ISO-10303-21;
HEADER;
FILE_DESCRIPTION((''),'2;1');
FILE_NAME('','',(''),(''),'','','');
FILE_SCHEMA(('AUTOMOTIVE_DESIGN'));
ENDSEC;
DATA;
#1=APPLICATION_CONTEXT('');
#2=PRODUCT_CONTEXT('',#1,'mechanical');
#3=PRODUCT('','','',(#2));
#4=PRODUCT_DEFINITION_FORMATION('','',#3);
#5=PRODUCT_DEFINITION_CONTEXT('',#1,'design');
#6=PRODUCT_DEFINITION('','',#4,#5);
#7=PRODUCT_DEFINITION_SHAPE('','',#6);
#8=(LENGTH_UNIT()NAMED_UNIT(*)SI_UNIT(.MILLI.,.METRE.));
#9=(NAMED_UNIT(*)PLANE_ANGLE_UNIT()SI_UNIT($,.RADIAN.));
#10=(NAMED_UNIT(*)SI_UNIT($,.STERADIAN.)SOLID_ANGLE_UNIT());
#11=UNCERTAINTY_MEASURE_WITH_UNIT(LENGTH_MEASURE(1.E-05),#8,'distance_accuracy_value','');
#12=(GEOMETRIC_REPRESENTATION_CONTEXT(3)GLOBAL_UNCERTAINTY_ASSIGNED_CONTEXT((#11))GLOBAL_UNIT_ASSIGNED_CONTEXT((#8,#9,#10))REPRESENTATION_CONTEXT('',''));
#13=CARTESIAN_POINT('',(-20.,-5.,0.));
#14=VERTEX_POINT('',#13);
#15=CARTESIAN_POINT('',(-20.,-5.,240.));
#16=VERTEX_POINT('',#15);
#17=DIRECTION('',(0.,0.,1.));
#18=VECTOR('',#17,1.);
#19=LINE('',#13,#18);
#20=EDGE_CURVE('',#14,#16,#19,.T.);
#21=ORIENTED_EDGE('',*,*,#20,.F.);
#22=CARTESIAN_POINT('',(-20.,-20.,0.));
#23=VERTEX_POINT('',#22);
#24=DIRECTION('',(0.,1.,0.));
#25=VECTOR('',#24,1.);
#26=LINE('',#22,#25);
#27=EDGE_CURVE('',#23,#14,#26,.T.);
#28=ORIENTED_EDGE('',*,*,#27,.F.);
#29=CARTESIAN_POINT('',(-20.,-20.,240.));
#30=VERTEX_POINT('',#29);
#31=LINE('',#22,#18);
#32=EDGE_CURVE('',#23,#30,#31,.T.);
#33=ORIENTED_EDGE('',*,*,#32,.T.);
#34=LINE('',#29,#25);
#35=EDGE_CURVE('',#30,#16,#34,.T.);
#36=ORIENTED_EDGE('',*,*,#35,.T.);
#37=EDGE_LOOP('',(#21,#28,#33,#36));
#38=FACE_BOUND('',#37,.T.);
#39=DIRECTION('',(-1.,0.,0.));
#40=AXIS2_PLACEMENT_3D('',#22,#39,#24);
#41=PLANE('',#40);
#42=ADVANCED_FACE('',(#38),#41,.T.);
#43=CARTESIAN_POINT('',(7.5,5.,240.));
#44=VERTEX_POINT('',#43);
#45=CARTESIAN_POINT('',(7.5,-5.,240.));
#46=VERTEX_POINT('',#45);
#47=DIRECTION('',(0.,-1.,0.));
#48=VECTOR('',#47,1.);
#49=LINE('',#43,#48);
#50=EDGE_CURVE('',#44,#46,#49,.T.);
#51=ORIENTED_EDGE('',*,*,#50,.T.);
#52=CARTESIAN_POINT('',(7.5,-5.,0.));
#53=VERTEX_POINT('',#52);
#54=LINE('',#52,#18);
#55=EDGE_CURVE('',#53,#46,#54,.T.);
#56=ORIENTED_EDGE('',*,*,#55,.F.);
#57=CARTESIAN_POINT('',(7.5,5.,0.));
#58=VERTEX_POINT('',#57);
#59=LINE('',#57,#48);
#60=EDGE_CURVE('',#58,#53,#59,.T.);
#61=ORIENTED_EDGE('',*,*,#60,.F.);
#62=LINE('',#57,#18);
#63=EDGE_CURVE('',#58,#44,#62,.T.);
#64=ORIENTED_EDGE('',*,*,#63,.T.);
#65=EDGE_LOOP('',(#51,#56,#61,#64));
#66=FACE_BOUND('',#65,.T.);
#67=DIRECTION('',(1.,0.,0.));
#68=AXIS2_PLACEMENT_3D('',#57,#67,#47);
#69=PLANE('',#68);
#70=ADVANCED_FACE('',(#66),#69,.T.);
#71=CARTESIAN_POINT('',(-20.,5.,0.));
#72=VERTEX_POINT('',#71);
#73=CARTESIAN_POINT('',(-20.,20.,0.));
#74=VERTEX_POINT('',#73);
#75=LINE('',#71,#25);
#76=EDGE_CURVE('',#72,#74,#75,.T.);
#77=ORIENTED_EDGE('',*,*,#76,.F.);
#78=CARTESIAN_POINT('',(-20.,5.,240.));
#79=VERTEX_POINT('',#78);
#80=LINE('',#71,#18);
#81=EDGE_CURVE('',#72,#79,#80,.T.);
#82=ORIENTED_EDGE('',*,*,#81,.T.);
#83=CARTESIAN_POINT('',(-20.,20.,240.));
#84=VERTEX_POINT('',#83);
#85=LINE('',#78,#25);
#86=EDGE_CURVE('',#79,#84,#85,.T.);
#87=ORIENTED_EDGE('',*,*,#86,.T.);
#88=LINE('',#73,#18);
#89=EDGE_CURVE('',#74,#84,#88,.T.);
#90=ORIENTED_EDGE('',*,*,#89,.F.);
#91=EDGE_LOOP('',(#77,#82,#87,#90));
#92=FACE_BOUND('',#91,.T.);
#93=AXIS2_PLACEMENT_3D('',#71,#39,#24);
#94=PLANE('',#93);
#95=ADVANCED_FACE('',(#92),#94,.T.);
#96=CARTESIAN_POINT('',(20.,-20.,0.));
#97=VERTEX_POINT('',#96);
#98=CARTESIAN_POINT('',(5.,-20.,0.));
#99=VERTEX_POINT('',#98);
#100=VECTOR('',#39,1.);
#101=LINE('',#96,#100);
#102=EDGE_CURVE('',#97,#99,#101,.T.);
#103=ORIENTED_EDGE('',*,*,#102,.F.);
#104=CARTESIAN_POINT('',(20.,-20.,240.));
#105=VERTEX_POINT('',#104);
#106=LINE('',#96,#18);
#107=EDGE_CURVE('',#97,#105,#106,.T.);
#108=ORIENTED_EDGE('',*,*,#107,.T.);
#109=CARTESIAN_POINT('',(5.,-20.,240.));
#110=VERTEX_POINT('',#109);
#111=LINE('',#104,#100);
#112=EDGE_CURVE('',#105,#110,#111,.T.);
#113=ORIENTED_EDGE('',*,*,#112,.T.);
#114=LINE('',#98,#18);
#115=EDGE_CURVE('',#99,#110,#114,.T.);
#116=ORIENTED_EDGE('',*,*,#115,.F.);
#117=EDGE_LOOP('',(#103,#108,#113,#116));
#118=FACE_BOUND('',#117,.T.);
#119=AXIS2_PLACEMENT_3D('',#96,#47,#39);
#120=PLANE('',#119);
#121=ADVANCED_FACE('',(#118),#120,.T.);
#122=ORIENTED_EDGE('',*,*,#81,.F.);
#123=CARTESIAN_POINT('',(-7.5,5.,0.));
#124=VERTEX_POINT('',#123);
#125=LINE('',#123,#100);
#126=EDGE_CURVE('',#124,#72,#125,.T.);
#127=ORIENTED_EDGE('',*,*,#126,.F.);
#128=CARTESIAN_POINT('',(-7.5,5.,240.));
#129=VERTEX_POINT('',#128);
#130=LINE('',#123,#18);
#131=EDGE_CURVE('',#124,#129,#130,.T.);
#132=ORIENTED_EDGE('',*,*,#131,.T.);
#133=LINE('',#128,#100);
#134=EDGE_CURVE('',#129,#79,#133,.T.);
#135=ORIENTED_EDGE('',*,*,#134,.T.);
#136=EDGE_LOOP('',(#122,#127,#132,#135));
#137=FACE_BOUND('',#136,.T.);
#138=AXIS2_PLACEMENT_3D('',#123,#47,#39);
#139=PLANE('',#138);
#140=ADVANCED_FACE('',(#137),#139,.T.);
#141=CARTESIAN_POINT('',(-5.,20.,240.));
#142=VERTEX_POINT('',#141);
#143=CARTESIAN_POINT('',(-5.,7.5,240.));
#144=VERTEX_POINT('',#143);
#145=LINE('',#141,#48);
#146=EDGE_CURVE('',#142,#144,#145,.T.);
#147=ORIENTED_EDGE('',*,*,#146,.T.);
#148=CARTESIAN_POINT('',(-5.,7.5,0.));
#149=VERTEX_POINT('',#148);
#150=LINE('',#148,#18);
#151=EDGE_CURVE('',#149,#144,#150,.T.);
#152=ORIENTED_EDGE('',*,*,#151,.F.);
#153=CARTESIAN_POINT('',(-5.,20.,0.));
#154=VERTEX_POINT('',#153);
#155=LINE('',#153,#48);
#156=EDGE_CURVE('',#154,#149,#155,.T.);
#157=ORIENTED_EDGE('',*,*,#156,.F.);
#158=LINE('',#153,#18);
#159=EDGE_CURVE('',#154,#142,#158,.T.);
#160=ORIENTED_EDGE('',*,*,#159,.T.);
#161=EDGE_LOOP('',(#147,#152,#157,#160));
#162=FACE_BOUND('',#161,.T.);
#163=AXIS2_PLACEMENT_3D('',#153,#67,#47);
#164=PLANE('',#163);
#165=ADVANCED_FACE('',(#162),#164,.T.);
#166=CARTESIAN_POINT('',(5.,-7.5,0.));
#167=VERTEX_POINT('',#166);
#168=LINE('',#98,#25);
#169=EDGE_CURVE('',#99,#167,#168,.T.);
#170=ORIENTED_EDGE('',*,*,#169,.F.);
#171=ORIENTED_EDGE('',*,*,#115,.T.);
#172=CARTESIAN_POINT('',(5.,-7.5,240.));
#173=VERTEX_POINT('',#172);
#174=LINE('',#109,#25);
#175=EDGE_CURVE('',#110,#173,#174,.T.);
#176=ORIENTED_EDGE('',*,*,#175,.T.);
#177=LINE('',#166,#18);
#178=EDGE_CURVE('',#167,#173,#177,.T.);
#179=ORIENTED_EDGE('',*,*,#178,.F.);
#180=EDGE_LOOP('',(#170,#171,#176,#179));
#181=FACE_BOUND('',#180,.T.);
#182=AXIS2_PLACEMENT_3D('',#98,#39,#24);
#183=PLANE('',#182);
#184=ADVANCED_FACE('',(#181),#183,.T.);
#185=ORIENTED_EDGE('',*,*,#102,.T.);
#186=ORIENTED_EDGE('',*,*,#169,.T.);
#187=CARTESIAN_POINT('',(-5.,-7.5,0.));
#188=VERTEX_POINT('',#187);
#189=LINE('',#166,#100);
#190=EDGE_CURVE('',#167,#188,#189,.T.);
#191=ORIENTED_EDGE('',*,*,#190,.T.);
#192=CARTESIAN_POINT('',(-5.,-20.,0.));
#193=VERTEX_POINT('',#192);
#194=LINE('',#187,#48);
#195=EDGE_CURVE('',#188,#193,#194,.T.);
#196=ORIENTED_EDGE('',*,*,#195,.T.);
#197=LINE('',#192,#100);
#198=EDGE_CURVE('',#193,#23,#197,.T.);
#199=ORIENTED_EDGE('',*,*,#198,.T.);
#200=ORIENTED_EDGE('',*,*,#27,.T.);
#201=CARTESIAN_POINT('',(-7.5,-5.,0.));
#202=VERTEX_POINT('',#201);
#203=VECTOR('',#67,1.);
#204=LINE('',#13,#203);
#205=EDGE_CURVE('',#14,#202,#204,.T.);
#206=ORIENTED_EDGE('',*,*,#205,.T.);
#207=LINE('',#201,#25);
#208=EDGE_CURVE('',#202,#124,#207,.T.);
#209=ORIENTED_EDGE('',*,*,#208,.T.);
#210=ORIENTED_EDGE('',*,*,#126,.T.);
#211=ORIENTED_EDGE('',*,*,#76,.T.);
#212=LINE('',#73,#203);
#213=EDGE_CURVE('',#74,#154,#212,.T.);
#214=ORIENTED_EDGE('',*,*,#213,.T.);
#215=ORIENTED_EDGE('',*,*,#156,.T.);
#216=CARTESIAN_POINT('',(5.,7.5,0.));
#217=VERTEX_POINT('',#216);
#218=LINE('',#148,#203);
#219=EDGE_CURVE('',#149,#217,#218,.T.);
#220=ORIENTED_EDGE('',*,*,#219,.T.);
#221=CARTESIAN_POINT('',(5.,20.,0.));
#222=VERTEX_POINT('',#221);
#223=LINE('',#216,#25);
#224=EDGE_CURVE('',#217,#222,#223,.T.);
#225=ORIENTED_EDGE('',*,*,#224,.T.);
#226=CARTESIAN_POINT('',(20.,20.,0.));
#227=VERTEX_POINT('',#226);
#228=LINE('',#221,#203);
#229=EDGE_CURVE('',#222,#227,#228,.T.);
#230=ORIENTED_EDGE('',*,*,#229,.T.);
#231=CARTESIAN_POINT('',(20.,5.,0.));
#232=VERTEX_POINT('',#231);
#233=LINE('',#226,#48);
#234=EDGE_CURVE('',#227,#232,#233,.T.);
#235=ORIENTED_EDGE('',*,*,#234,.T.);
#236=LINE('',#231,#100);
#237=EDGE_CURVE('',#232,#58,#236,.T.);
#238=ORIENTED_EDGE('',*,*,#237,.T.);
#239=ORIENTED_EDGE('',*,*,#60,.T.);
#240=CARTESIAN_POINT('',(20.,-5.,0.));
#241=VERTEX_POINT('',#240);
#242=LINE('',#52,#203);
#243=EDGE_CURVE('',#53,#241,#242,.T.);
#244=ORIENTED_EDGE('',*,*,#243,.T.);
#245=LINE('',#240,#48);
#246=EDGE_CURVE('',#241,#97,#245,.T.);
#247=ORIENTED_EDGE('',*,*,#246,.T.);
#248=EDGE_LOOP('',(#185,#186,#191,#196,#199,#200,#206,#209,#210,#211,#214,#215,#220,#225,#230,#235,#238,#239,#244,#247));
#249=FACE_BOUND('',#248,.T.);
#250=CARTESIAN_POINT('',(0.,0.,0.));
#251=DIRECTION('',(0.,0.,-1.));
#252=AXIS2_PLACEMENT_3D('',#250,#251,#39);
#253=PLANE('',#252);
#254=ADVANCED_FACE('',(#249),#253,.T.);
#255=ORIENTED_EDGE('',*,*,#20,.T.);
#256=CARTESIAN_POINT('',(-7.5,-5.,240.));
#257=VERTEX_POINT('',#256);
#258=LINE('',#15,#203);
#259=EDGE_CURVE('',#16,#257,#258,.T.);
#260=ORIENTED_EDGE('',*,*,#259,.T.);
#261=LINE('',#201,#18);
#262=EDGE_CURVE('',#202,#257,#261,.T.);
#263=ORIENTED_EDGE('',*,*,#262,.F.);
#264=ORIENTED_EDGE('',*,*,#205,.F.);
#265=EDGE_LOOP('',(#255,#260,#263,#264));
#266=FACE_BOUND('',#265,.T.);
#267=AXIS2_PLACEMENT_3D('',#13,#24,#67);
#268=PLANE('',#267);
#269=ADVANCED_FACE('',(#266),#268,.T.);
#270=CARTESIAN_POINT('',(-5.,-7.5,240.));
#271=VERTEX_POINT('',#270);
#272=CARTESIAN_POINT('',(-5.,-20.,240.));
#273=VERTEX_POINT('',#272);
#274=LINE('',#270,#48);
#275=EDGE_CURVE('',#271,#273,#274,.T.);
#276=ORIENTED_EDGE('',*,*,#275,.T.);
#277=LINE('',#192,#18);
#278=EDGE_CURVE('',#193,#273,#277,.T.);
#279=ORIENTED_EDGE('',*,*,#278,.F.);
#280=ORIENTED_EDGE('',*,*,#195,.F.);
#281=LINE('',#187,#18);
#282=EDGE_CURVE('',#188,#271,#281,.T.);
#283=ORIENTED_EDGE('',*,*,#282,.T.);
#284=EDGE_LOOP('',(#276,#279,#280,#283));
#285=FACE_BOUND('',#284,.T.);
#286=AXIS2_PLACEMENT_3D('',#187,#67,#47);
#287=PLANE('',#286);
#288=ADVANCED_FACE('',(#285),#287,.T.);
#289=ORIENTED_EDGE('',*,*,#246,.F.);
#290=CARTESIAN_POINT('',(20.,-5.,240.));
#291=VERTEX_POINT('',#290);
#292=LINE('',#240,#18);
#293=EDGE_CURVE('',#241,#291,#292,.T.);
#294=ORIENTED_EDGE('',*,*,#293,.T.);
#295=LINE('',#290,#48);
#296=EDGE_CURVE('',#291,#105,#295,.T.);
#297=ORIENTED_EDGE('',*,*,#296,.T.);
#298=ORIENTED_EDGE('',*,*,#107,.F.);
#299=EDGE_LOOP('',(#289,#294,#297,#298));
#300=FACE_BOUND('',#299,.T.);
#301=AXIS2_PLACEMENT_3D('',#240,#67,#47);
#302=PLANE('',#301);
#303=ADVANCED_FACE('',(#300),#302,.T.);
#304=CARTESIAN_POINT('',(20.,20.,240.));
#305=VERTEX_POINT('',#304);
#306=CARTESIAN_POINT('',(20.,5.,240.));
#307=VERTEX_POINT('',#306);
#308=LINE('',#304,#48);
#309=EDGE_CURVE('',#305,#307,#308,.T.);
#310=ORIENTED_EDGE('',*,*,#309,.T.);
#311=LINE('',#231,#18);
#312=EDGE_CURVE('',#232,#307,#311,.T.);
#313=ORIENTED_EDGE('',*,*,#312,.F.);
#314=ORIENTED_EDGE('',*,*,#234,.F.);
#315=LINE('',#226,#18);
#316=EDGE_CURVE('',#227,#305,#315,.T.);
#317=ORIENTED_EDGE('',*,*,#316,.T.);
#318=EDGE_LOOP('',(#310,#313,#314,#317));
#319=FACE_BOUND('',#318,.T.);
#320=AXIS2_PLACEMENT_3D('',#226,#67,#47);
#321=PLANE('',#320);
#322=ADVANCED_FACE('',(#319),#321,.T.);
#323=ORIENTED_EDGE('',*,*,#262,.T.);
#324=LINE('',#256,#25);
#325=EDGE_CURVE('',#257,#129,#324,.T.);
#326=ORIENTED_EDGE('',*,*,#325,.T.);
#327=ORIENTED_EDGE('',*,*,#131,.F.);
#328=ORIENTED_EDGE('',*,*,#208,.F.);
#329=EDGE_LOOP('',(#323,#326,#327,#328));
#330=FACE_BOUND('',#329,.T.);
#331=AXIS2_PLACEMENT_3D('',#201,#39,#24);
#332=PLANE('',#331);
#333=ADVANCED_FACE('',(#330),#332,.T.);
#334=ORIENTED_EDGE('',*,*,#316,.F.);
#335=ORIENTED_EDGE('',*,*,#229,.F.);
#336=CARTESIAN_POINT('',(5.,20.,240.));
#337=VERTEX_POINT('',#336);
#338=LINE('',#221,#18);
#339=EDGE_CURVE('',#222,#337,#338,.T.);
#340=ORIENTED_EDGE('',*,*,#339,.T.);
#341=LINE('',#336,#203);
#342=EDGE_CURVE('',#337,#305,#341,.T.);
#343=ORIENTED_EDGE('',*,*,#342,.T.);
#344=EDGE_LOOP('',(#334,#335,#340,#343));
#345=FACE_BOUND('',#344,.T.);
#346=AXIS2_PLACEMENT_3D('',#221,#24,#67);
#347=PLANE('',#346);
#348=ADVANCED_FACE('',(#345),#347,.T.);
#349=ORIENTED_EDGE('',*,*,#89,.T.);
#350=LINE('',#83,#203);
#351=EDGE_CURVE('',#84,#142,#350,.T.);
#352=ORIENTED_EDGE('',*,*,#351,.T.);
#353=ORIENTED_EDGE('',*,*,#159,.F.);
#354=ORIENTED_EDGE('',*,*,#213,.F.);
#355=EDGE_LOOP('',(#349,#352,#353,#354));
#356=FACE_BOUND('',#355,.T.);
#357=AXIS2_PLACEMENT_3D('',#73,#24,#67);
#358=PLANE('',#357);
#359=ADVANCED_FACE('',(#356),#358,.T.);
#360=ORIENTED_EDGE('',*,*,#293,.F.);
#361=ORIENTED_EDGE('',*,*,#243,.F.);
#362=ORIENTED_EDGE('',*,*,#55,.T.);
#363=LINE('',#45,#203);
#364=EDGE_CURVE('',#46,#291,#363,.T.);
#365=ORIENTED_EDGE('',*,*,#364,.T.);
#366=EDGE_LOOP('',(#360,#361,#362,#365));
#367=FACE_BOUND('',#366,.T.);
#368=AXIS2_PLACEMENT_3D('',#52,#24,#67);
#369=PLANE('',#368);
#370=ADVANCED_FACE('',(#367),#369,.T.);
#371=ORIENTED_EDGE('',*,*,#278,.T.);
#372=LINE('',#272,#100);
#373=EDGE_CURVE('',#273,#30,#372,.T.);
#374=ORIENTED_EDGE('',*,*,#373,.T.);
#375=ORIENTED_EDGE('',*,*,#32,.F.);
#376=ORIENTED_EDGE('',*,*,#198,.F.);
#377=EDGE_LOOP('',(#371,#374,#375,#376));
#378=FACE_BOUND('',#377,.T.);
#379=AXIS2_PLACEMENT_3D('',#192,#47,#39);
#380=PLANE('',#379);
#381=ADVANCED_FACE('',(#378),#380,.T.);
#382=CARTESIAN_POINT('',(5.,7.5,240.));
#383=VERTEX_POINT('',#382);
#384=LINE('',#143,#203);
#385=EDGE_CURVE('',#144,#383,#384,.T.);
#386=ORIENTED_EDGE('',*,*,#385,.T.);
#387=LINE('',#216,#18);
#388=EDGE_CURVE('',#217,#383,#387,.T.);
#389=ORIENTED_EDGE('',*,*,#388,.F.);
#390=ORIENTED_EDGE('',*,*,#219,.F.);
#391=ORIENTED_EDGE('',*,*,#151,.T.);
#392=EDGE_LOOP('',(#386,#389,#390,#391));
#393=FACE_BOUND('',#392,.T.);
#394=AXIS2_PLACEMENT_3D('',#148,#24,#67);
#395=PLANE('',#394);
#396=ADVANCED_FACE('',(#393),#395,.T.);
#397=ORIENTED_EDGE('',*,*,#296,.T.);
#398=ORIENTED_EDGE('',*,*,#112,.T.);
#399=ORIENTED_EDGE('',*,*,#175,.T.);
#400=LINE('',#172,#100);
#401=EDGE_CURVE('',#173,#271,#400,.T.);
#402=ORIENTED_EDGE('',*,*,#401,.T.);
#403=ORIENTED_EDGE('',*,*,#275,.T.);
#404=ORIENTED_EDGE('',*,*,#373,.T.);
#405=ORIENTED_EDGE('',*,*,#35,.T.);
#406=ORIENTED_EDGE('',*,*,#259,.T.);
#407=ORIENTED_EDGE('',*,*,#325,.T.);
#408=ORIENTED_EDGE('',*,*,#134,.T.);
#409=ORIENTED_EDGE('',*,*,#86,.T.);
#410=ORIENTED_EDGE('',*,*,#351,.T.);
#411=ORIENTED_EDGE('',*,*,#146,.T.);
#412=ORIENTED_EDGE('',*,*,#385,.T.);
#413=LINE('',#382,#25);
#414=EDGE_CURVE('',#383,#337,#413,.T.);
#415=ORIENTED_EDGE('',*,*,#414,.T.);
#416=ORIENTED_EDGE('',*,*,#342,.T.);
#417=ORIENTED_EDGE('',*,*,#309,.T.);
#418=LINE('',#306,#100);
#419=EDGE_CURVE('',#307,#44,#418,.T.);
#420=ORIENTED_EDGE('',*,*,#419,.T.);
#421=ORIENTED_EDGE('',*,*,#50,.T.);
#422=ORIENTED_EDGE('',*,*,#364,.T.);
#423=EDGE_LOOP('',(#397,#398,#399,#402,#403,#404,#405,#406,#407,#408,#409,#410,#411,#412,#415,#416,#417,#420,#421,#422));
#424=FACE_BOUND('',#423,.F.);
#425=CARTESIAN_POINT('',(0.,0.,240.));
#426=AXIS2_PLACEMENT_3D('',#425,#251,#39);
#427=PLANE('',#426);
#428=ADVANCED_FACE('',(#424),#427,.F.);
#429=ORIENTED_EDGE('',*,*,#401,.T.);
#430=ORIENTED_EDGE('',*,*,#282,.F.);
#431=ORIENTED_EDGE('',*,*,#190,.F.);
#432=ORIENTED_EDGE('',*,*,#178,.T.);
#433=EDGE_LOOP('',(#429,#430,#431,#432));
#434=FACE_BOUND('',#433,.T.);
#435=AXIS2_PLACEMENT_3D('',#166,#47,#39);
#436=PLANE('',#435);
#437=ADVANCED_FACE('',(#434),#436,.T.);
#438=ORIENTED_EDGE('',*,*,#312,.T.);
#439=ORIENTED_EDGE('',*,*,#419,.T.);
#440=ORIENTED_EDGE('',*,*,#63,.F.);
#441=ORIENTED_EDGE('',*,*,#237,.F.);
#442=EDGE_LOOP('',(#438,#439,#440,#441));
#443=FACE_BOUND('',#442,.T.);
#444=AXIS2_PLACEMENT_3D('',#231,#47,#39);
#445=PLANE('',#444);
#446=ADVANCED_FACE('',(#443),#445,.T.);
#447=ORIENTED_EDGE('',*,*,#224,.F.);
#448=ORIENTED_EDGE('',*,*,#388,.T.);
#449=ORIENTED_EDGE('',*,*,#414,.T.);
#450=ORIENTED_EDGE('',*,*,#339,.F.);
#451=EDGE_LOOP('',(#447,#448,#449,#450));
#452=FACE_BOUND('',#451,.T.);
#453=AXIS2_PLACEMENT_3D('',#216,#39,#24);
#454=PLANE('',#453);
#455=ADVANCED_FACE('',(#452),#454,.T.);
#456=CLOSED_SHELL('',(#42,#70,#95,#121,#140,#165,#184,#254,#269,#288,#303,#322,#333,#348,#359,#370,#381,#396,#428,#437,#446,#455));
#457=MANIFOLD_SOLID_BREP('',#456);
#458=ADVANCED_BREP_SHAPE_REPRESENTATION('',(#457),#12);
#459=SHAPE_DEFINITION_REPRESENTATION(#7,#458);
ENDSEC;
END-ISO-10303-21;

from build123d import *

# Parameters (mm, degrees)
PAD_DEPTH = 240


with BuildPart() as part:
    # Sketch → Pad (new body)
    with BuildSketch(Plane.XY):
        Polygon((-20, -20), (-20, -5), (-7.5, -5), (-7.5, 5), (-20, 5), (-20, 20), (-5, 20), (-5, 7.5), (5, 7.5), (5, 20), (20, 20), (20, 5), (7.5, 5), (7.5, -5), (20, -5), (20, -20), (5, -20), (5, -7.5), (-5, -7.5), (-5, -20), align=None)
    extrude(amount=PAD_DEPTH)


solid = part.part
